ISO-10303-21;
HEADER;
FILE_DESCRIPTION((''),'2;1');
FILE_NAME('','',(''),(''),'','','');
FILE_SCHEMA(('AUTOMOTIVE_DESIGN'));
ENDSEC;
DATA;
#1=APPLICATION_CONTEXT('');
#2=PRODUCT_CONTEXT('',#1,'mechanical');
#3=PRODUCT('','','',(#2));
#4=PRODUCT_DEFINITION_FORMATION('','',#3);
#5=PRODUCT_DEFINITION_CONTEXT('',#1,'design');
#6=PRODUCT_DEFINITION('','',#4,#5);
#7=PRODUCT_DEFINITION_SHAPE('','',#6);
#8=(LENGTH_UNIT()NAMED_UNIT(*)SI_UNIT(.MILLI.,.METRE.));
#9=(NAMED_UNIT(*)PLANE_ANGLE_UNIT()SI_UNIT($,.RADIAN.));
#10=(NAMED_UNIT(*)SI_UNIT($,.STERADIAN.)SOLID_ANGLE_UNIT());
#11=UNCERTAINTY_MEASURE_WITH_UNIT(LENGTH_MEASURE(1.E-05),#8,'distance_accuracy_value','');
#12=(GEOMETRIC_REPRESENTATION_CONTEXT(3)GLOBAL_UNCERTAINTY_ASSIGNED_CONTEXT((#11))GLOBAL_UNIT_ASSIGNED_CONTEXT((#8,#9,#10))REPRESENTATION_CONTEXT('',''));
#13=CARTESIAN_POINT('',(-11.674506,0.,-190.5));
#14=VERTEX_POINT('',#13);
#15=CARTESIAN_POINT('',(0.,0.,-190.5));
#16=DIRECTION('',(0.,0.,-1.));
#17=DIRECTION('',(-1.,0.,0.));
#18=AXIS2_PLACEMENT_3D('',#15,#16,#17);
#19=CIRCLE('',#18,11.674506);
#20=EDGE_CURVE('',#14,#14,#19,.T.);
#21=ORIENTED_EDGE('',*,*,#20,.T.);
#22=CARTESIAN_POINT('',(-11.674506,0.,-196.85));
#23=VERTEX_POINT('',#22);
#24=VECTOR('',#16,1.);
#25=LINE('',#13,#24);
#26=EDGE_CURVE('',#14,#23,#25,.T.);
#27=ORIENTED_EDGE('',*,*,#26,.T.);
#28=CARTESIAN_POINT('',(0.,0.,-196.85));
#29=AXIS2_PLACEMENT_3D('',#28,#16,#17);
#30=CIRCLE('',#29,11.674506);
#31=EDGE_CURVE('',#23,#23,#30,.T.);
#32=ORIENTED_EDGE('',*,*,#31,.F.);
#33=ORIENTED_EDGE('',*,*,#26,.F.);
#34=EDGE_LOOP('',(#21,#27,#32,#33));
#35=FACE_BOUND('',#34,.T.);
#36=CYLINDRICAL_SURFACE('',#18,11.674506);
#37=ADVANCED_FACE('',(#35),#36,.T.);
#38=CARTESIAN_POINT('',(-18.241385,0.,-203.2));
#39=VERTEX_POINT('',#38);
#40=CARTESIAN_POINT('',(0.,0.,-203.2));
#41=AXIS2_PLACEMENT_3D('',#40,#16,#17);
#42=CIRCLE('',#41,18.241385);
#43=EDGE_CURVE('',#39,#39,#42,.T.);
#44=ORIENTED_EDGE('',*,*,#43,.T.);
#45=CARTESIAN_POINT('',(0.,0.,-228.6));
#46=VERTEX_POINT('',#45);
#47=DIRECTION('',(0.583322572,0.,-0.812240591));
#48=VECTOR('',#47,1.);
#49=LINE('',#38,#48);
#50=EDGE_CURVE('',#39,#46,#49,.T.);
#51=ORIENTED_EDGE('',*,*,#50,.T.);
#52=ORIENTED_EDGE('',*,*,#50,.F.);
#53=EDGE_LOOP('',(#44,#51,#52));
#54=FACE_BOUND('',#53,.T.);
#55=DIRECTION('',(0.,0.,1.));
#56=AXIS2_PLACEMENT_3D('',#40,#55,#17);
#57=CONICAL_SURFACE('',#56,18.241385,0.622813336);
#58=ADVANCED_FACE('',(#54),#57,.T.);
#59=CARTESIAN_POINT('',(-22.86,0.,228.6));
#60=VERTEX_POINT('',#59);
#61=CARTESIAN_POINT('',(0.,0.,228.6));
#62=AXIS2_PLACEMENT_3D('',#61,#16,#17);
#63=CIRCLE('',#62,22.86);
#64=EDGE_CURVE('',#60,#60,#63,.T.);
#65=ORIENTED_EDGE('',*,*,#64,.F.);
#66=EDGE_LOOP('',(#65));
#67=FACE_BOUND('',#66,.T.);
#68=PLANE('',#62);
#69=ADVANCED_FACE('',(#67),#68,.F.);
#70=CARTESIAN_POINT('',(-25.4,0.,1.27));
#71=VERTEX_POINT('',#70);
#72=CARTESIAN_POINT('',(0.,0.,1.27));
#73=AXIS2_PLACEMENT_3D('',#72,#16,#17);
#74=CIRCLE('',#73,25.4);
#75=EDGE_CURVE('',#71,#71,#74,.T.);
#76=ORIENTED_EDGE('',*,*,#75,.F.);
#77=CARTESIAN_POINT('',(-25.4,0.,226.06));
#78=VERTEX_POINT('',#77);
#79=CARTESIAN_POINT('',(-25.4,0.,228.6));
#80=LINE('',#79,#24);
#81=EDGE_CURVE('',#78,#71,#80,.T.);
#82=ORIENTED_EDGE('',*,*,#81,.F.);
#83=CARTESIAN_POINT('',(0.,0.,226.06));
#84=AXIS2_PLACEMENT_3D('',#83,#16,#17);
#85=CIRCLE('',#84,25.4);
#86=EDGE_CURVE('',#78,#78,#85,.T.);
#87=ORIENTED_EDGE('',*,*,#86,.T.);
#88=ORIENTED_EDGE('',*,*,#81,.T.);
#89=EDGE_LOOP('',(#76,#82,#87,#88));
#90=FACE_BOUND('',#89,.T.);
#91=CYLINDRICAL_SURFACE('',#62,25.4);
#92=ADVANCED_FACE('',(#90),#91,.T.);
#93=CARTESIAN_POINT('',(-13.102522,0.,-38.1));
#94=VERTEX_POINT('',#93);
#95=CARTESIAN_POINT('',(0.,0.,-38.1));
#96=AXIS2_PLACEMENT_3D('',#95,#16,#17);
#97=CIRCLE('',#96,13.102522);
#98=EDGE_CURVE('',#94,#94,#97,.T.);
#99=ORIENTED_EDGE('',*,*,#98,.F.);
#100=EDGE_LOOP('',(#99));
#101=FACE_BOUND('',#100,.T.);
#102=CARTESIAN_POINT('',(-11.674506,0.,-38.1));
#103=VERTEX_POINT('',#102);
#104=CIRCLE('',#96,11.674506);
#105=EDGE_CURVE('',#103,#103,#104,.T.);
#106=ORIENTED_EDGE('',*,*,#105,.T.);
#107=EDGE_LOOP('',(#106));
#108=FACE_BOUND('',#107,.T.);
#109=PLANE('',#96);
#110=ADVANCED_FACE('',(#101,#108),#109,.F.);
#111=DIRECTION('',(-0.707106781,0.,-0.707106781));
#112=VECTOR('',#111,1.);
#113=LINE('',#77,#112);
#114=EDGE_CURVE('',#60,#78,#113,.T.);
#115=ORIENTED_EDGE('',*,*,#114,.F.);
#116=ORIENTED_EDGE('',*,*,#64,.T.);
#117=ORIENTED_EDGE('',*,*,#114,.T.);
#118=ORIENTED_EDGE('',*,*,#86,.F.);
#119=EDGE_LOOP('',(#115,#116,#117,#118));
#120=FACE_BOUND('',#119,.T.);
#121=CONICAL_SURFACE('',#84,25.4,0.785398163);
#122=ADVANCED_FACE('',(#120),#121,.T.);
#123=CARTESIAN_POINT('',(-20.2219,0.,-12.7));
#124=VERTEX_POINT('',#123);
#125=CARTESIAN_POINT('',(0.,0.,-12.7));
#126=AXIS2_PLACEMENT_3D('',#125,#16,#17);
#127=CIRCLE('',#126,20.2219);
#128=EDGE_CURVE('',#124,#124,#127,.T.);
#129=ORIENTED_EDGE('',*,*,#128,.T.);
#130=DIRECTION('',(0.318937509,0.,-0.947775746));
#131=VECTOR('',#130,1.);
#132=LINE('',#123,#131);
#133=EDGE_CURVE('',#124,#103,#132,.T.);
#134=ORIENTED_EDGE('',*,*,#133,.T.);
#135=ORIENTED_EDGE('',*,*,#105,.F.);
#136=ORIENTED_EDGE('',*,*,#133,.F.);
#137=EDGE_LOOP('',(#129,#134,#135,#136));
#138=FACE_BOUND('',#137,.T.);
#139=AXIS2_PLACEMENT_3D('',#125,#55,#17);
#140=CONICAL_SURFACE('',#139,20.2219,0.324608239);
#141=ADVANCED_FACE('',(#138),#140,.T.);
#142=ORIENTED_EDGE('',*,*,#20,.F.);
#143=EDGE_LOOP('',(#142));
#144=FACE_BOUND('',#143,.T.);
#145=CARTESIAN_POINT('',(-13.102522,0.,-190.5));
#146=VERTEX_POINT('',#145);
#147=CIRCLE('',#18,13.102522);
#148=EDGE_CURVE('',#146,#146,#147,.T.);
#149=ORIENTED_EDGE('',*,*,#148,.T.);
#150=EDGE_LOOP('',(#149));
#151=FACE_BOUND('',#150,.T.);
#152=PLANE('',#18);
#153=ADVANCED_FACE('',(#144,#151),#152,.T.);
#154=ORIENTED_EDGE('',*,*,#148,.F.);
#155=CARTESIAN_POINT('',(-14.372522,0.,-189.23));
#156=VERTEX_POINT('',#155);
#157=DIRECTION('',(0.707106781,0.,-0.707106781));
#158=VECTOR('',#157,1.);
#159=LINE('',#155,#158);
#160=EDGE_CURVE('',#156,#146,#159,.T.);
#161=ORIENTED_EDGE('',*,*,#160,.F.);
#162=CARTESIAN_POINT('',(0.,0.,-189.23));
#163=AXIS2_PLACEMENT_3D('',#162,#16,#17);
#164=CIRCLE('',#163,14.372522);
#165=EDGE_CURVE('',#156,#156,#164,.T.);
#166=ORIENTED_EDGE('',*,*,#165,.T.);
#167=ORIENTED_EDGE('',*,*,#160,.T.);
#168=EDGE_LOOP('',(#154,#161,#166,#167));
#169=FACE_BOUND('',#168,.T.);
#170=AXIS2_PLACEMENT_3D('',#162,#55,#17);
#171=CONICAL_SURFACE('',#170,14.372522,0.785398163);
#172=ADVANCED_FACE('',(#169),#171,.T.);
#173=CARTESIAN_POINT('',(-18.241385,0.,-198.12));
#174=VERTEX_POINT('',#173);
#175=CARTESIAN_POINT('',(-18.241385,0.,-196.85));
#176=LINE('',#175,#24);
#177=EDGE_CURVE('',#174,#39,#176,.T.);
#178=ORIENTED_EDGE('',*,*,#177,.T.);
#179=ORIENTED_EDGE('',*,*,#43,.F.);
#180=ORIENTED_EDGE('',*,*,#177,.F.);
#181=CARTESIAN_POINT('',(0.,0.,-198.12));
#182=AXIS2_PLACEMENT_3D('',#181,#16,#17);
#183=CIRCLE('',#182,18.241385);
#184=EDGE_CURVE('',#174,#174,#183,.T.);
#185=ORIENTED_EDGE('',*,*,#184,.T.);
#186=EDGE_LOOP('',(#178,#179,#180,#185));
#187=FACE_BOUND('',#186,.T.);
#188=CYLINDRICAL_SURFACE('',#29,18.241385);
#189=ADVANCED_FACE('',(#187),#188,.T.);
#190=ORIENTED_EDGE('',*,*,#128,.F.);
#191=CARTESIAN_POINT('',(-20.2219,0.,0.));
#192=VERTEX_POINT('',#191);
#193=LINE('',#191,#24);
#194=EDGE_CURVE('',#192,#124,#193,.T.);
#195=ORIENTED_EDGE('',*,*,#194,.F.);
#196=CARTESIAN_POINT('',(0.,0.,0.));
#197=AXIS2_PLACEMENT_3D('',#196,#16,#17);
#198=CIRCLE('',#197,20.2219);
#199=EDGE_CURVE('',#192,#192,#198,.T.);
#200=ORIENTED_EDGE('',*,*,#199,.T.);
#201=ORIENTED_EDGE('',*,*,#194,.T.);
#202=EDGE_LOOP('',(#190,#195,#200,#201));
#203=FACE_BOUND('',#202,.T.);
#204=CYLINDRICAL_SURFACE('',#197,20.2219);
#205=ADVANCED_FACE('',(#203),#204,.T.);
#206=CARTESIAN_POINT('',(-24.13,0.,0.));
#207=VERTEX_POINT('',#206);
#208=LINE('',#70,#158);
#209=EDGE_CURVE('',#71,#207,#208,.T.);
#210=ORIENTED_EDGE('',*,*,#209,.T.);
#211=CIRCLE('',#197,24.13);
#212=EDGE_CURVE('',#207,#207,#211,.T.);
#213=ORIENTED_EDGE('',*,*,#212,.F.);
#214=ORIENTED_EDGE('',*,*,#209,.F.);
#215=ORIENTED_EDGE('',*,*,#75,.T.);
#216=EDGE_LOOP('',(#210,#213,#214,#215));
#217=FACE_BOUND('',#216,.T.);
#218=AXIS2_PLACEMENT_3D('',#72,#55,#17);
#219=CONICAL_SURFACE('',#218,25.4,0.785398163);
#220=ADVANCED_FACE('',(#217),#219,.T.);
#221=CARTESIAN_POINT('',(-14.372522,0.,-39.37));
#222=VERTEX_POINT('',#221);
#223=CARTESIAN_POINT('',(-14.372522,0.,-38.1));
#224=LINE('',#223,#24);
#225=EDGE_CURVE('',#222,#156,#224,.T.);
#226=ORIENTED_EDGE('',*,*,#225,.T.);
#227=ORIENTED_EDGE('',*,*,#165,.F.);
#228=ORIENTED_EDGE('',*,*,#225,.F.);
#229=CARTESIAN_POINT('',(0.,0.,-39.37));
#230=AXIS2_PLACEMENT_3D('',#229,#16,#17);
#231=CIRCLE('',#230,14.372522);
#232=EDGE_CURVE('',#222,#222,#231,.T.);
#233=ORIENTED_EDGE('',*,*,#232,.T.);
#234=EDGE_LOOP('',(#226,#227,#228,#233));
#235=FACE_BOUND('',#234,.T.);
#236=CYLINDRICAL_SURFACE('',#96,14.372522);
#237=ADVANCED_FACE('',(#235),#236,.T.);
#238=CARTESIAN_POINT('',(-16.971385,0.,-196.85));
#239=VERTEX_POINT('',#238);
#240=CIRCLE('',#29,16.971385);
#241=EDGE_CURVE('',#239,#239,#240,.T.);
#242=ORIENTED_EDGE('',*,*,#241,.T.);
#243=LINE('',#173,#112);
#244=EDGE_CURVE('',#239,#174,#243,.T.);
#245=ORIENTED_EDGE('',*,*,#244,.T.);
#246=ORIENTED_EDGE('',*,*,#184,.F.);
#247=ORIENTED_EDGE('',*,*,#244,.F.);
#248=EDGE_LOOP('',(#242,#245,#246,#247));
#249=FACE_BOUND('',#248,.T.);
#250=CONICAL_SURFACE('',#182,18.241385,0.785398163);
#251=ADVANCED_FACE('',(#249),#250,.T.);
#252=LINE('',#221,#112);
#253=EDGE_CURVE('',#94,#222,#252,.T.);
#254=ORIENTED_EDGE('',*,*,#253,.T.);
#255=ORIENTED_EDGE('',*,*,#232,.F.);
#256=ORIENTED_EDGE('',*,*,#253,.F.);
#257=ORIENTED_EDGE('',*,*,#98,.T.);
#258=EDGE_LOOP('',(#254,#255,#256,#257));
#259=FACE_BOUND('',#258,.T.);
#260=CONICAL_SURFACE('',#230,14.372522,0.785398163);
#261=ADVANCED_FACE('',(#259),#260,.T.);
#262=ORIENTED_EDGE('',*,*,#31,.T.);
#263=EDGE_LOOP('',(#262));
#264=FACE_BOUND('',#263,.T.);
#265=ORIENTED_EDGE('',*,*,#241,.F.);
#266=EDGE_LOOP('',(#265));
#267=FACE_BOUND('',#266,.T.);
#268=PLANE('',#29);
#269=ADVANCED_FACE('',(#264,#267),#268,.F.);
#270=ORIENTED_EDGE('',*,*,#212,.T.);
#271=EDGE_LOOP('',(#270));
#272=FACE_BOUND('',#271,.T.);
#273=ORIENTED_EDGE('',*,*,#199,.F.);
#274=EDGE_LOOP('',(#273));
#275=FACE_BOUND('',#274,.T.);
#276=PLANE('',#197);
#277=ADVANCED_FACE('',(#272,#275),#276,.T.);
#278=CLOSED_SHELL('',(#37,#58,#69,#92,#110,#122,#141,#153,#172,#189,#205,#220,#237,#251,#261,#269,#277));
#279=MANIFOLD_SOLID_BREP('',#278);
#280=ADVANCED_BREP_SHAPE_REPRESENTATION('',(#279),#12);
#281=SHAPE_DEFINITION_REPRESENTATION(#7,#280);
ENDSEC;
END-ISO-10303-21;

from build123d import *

# Parameters (mm, degrees)
F2_SIZE = 2.54
F3_SIZE = 1.27


with BuildPart() as f1:
    # F0 (on Front) → F1 (revolve)
    with BuildSketch(Plane.XZ):
        Polygon((0, -228.6), (0, 228.6), (-25.4, 228.6), (-25.4, 0), (-20.2219, 0), (-20.2219, -12.7), (-11.674506, -38.1), (-14.372522, -38.1), (-14.372522, -190.5), (-11.674506, -190.5), (-11.674506, -196.85), (-18.241385, -196.85), (-18.241385, -203.2), align=None)
    revolve(axis=Axis((0, 0, 0), (0, 0, -1)))

    # F2
    f2_edges = [f1.edges().sort_by_distance(p)[0] for p in [
        (25.4, 0, 228.6),
    ]]
    chamfer(f2_edges, length=F2_SIZE)

    # F3
    f3_edges = [f1.edges().sort_by_distance(p)[0] for p in [
        (25.4, 0, 0),
        (14.372522, 0, -38.1),
        (18.241385, 0, -196.85),
        (14.372522, 0, -190.5),
    ]]
    chamfer(f3_edges, length=F3_SIZE)


solid = f1.part
